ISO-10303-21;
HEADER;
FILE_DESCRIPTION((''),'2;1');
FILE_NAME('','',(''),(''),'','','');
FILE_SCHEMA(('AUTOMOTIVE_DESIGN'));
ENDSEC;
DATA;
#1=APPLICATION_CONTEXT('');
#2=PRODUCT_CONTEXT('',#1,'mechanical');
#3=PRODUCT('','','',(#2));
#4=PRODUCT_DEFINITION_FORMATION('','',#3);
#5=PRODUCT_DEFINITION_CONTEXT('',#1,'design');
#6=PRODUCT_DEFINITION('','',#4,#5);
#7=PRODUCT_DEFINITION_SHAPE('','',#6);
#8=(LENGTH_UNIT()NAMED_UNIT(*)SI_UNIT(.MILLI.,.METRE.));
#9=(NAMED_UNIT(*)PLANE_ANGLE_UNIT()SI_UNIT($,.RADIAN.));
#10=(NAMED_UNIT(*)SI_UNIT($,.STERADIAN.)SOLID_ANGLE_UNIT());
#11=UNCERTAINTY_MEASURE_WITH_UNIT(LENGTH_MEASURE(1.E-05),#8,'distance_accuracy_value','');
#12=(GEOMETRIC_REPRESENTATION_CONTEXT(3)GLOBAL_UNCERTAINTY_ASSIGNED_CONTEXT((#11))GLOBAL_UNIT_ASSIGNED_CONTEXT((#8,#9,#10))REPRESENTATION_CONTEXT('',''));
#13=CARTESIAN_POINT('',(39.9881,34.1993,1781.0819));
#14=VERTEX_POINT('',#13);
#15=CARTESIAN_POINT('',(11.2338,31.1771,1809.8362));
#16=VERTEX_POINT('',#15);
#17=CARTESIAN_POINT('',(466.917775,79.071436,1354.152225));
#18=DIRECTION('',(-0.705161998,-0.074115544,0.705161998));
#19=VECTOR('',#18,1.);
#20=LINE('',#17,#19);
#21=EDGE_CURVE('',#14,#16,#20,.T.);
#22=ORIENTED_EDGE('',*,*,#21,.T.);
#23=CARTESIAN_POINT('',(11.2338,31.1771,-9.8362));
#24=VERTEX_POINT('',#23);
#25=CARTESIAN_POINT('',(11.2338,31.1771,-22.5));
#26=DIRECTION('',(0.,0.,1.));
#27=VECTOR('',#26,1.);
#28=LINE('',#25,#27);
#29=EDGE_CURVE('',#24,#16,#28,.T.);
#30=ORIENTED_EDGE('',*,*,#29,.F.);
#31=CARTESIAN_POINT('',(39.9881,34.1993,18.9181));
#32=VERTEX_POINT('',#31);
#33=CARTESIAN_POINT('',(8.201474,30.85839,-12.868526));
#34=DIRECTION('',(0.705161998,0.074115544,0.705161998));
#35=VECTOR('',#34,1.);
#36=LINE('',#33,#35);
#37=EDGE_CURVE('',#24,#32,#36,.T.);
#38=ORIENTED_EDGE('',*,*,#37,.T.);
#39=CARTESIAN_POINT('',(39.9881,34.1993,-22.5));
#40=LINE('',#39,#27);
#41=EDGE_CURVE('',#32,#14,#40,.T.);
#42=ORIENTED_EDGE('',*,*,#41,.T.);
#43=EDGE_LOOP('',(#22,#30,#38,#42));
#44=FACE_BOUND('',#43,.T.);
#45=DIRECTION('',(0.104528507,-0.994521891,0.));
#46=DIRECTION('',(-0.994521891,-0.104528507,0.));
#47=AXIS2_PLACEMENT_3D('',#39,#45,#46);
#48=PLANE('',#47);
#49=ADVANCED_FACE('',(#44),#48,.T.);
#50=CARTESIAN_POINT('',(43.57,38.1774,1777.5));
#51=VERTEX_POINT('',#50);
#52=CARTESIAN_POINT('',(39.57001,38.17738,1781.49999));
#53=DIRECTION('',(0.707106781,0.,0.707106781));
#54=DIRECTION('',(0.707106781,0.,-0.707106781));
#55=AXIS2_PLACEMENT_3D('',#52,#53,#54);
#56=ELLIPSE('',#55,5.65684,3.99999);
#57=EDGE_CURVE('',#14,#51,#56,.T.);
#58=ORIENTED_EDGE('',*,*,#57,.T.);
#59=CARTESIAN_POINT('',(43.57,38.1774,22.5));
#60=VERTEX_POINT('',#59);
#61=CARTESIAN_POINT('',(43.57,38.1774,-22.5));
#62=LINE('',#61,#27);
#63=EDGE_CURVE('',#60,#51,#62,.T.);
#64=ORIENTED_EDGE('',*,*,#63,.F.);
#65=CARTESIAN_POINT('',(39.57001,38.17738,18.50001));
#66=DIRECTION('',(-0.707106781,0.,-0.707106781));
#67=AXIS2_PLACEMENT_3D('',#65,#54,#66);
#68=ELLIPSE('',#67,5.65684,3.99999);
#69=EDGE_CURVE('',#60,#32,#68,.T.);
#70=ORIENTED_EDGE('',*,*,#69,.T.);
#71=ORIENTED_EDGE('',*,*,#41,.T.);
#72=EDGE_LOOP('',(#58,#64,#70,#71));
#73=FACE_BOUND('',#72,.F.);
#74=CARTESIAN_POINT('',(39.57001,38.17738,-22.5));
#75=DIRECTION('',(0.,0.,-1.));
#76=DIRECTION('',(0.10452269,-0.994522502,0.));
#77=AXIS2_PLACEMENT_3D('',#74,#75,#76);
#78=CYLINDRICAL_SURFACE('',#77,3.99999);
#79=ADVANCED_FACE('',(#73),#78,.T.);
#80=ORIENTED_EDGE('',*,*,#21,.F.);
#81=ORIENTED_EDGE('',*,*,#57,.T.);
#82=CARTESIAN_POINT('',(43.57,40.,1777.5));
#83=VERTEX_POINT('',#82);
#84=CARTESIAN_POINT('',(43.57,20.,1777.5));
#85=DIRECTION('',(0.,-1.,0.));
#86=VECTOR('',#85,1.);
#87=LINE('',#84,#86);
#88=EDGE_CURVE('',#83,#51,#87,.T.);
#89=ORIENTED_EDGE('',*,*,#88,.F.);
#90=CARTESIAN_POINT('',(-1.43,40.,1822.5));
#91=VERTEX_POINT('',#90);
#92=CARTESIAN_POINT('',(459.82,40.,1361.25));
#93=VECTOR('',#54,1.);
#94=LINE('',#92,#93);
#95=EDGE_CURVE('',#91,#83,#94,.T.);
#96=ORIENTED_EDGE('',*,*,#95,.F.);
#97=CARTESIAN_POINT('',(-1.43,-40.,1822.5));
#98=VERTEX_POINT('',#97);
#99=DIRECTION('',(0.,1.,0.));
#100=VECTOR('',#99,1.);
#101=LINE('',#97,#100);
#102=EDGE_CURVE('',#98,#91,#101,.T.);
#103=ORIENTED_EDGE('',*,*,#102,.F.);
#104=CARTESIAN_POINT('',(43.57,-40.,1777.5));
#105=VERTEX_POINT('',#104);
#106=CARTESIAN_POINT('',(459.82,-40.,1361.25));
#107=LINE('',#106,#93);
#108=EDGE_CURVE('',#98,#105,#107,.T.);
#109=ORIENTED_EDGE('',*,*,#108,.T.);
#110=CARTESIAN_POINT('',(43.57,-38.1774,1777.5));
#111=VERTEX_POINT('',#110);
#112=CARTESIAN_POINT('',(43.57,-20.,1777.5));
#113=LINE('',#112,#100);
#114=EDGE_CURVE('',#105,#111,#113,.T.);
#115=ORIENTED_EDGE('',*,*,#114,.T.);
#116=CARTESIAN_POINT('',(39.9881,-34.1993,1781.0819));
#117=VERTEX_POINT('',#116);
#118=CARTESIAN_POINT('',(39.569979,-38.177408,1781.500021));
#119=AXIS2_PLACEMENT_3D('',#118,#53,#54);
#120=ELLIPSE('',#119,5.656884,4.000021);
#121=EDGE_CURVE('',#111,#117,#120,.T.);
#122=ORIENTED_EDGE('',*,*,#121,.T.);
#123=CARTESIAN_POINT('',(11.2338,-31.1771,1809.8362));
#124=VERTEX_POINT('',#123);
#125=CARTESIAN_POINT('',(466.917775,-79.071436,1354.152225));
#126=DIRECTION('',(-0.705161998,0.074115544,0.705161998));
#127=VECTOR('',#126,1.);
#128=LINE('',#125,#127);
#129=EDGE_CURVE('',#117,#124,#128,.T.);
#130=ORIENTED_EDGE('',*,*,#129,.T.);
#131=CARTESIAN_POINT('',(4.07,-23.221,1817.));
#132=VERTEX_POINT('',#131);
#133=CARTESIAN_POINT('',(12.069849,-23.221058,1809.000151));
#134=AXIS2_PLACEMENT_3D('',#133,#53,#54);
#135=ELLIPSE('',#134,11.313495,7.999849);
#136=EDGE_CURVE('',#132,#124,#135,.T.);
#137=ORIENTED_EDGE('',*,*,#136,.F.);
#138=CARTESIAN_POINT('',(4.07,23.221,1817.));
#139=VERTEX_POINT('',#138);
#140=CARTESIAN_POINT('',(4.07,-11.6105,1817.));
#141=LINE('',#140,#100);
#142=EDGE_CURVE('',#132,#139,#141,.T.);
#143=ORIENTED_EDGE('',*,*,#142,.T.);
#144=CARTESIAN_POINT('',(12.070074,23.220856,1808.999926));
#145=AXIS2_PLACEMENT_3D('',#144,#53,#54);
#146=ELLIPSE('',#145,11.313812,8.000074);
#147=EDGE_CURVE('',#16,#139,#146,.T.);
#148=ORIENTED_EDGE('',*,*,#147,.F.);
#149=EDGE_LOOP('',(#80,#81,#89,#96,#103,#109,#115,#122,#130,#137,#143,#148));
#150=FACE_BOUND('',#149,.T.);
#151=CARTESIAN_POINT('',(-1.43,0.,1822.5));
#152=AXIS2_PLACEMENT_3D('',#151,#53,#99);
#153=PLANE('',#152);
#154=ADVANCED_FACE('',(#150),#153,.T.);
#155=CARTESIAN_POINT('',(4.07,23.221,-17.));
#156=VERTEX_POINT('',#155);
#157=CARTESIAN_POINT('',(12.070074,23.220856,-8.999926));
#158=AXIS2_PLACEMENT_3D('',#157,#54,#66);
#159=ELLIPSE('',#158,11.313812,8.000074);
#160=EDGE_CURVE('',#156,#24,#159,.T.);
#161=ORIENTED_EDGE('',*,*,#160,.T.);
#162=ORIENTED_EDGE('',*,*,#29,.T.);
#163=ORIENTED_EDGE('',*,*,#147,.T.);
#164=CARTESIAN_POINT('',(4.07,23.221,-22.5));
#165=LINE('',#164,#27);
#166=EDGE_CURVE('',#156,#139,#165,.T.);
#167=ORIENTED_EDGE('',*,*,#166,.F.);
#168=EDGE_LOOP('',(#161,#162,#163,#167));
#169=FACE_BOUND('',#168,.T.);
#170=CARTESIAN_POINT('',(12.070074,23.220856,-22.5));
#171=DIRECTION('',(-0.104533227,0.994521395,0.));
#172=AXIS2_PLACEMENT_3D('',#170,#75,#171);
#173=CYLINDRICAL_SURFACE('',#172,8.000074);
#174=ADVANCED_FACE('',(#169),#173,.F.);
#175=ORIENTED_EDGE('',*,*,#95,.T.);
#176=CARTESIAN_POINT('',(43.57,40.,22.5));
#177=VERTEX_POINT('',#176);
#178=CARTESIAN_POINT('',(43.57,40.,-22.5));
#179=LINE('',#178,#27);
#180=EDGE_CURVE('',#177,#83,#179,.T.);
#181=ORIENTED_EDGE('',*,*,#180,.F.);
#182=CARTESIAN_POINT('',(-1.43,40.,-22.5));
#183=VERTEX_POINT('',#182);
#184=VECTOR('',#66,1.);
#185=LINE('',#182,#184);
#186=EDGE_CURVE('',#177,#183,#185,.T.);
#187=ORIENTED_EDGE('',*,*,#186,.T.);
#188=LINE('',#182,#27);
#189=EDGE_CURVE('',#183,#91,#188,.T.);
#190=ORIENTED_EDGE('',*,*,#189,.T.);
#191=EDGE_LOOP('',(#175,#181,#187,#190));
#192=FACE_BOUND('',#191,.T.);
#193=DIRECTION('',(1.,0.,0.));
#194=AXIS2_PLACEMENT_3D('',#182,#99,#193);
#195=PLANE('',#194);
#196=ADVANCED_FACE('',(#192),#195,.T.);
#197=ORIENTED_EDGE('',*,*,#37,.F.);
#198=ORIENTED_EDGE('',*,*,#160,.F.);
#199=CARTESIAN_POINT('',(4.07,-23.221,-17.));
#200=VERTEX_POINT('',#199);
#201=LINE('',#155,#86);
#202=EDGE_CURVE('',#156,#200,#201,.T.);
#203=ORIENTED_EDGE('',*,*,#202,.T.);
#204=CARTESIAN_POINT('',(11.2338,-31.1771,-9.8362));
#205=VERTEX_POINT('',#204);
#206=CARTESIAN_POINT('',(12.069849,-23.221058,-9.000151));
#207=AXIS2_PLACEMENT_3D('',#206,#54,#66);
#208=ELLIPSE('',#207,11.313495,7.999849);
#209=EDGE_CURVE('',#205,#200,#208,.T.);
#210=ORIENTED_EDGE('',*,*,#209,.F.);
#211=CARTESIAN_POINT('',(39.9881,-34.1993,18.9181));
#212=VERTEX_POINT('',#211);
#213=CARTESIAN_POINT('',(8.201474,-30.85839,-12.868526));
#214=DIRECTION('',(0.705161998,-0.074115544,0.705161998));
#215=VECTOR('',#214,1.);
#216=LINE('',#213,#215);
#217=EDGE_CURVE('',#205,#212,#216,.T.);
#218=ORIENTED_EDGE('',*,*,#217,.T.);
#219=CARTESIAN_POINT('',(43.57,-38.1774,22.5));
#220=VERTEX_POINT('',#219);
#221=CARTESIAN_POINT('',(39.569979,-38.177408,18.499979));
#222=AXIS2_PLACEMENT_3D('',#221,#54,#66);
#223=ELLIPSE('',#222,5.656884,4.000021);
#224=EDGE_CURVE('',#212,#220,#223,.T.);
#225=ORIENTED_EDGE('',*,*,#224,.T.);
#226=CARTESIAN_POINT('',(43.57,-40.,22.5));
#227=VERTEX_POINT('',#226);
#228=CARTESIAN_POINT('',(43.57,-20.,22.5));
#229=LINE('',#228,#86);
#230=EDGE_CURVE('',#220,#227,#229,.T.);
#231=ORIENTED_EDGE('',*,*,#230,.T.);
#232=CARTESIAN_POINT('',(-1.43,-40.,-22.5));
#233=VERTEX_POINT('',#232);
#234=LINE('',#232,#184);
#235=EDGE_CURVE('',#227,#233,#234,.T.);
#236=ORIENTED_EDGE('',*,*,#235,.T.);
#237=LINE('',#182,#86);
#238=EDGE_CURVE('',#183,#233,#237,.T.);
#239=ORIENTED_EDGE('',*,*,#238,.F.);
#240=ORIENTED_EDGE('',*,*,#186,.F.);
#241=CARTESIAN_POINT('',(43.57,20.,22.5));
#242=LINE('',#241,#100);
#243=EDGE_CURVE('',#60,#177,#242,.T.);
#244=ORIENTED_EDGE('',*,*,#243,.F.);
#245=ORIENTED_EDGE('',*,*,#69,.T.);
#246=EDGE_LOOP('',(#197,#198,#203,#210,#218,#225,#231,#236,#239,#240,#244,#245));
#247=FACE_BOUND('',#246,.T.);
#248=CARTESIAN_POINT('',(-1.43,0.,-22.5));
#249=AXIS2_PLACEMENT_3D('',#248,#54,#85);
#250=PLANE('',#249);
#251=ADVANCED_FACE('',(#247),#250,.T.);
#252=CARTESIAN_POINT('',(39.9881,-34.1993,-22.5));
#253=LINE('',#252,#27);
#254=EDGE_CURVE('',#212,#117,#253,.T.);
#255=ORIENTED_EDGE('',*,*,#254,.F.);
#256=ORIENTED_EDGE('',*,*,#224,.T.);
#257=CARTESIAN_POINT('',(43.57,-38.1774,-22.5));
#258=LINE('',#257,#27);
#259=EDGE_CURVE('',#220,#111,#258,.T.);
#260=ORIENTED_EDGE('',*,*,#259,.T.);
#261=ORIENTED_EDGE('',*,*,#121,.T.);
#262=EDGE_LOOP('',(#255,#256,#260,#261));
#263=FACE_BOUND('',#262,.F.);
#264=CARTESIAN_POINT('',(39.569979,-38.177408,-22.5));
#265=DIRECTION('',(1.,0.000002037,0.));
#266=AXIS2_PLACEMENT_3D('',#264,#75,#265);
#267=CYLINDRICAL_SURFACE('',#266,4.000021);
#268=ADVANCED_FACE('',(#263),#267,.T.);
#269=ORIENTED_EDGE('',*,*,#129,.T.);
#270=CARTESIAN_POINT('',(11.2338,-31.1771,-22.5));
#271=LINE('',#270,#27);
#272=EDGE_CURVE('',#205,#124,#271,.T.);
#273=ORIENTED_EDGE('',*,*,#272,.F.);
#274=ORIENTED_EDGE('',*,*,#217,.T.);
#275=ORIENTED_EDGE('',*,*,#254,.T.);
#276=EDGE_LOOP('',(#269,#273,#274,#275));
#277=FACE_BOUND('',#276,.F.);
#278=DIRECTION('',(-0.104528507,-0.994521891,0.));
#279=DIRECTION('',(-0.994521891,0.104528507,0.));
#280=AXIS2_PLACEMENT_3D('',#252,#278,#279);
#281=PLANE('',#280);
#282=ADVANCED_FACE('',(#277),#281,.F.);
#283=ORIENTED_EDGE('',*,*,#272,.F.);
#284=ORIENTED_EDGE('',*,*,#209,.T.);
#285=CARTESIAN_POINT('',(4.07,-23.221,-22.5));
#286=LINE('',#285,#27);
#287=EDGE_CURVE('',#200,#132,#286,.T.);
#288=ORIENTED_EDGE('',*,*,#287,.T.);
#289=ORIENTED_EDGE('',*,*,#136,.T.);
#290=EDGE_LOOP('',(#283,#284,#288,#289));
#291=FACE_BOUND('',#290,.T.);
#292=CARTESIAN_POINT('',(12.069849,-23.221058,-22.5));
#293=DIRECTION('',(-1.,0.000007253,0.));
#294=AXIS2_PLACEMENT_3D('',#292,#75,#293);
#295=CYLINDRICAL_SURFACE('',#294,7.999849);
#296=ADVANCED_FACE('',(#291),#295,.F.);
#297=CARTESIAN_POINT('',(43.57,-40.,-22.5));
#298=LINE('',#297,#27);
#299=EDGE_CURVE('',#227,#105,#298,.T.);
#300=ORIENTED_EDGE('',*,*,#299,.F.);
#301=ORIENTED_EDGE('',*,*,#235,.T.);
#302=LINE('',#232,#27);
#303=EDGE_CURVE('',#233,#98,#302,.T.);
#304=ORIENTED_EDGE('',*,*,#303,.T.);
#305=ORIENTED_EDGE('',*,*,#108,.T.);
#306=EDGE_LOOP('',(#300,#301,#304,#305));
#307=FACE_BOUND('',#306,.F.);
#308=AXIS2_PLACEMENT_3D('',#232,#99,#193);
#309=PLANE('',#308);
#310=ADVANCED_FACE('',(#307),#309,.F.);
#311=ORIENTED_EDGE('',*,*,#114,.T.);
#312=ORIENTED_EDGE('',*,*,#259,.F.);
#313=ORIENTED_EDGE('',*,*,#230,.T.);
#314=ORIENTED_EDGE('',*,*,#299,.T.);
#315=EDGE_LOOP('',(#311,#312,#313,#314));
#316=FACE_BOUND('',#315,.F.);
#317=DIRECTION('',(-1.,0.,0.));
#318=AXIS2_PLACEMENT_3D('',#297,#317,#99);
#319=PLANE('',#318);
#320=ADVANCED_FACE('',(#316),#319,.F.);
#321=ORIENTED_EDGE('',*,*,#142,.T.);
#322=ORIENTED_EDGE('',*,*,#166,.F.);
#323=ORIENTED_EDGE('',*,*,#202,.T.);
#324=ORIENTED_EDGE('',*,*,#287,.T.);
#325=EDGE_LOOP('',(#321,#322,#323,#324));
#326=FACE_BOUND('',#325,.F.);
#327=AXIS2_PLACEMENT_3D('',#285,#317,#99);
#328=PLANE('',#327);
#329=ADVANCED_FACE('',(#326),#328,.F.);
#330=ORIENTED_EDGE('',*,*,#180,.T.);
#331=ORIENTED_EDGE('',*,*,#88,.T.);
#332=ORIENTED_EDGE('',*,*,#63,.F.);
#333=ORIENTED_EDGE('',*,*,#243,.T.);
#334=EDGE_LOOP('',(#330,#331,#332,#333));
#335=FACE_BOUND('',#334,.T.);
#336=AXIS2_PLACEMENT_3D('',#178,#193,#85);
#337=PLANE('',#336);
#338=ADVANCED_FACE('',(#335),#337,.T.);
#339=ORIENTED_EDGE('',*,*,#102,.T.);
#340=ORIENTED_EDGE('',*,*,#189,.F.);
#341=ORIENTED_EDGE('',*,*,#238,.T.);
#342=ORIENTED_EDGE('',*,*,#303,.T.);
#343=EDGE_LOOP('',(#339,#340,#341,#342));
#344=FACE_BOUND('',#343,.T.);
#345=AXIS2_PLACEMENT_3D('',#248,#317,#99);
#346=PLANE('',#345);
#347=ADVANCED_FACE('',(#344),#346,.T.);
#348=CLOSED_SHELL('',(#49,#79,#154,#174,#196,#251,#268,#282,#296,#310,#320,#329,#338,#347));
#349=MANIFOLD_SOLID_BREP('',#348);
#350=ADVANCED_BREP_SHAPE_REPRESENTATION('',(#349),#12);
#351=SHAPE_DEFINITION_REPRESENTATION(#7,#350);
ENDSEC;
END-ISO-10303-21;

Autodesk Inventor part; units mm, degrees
ref_plane "Начальная плоскость" through (0, 0, -22.5) normal (0, 0, 1) x (1, 0, 0)
ref_plane "Конечная плоскость" through (0, 0, 1822.5) normal (0, 0, 1) x (1, 0, 0)
sketch "Эскиз" plane through (0, 0, 0) normal (0, 0, 1) x (1, 0, 0)
  line L0 (-1.43, 0) -> (-1.43, 40)
  line L1 (-1.43, 40) -> (43.57, 40)
  line L2 (43.57, 40) -> (43.57, 38.1774)
  line L3 (39.9881, 34.1993) -> (11.2338, 31.1771)
  line L4 (4.07, 23.221) -> (4.07, 0)
  line L5 (4.07, 0) -> (-1.43, 0) construction
  line L6 (23.82, 40) -> (23.82, 32.5) construction
  line L7 (43.57, 34.5758) -> (43.57, 32.5) construction
  line L8 (43.57, 32.5) -> (23.82, 32.5) construction
  line L9 (0, 15) -> (0, -27) construction
  line L10 (-5.539, 0) -> (16.0067, 0) construction
  line L11 (-1.43, 0) -> (-1.43, -40)
  line L12 (-1.43, -40) -> (43.57, -40)
  line L13 (43.57, -40) -> (43.57, -38.1774)
  line L14 (39.9881, -34.1993) -> (11.2338, -31.1771)
  line L15 (4.07, -23.221) -> (4.07, 0)
  arc A0 (11.2338, 31.1771) -> (4.07, 23.221) centre (12.07, 23.221) ccw
  arc A1 (4.07, -23.221) -> (11.2338, -31.1771) centre (12.07, -23.221) ccw
  arc A2 (39.9881, 34.1993) -> (43.57, 38.1774) centre (39.57, 38.1774) ccw
  arc A3 (43.57, -38.1774) -> (39.9881, -34.1993) centre (39.57, -38.1774) ccw
  line L16 (0, 56) -> (0, -56) construction
  line L17 (-15.5135, 0) -> (54.308, 0) construction
  point P0 (4.07, 30.4242)
  point P1 (43.57, -34.5758)
  point P2 (4.07, -30.4242)
  point P3 (23.82, -40)
  point P4 (23.82, -32.5)
  dimension "d0" = 5.5
  dimension "d1" = 40
  dimension "d2" = 45
  dimension "d3" = 7.5
  dimension "d4" = 19.75
  dimension "d5" = 2.0758
  dimension "d23" = 8
  dimension "d24" = 4
  dimension "d25" = 1.43
extrude "Тело" add sketch "Эскиз" along normal up to surface (1845 mm away) from surface at -22.5
sketch "Sketch3" plane through (0, 0, 0) normal (0, 0, 1) x (1, 0, 0)
  line L0 (0, 0) -> (10, 0)
ref_plane "Work Plane3" through (0, 0, 0) normal (0, -1, 0) x (1, 0, 0)
sketch "Sketch4" plane through (0, 0, 0) normal (0, -1, 0) x (1, 0, 0)
  line L0 (-2, -22.5) -> (12, -22.5)
  line L1 (-2, 1822.5) -> (12, 1822.5)
  dimension "d29" = 1845
ref_plane "РабПлоскость4" through (-1.43, 0, -22.5) normal (0.7071, 0, -0.7071) x (-0.7071, 0, -0.7071)
split "Разделение1" plane through (-1.43, 0, -22.5) removes the side toward (0.7071, 0, -0.7071)
ref_plane "РабПлоскость5" through (-1.43, 0, 1822.5) normal (0.7071, 0, 0.7071) x (0.7071, 0, -0.7071)
split "Разделение2" plane through (-1.43, 0, 1822.5) removes the side toward (0.7071, 0, 0.7071)
equation "\"d0\" = G_T"
equation "\"d1\" = 0.5 * G_H"
equation "\"d2\" = G_W"
equation "\"d3\" = G_T1"
equation "\"d4\" = G_C"
equation "\"d23\" = G_IR"
equation "\"d24\" = G_ER"
equation "\"d25\" = ex"
equation "\"d6\" = G_L"
equation "\"G_W\" = 45"
equation "\"G_T\" = 5.5"
equation "\"G_T1\" = 7.5"
equation "\"G_NG\" = 0.105104"
equation "\"G_ER\" = 4"
equation "\"G_IR\" = 8"
equation "\"G_C\" = 19.75"
equation "\"G_L\" = d29"
equation "\"ex\" = 1.43"
equation "\"G_OFFSET_START\" = 22.5"
equation "\"G_OFFSET_END\" = 22.5"
equation "\"d26\" = -G_OFFSET_START"
equation "\"d27\" = G_OFFSET_END + B_L"
equation "\"G_H\" = 80"
equation "\"B_L\" = 1800"
properties part number "ISO 657/11 - CH 80 x 8 - 1845" material "Сталь нержавеющая, 440C"
